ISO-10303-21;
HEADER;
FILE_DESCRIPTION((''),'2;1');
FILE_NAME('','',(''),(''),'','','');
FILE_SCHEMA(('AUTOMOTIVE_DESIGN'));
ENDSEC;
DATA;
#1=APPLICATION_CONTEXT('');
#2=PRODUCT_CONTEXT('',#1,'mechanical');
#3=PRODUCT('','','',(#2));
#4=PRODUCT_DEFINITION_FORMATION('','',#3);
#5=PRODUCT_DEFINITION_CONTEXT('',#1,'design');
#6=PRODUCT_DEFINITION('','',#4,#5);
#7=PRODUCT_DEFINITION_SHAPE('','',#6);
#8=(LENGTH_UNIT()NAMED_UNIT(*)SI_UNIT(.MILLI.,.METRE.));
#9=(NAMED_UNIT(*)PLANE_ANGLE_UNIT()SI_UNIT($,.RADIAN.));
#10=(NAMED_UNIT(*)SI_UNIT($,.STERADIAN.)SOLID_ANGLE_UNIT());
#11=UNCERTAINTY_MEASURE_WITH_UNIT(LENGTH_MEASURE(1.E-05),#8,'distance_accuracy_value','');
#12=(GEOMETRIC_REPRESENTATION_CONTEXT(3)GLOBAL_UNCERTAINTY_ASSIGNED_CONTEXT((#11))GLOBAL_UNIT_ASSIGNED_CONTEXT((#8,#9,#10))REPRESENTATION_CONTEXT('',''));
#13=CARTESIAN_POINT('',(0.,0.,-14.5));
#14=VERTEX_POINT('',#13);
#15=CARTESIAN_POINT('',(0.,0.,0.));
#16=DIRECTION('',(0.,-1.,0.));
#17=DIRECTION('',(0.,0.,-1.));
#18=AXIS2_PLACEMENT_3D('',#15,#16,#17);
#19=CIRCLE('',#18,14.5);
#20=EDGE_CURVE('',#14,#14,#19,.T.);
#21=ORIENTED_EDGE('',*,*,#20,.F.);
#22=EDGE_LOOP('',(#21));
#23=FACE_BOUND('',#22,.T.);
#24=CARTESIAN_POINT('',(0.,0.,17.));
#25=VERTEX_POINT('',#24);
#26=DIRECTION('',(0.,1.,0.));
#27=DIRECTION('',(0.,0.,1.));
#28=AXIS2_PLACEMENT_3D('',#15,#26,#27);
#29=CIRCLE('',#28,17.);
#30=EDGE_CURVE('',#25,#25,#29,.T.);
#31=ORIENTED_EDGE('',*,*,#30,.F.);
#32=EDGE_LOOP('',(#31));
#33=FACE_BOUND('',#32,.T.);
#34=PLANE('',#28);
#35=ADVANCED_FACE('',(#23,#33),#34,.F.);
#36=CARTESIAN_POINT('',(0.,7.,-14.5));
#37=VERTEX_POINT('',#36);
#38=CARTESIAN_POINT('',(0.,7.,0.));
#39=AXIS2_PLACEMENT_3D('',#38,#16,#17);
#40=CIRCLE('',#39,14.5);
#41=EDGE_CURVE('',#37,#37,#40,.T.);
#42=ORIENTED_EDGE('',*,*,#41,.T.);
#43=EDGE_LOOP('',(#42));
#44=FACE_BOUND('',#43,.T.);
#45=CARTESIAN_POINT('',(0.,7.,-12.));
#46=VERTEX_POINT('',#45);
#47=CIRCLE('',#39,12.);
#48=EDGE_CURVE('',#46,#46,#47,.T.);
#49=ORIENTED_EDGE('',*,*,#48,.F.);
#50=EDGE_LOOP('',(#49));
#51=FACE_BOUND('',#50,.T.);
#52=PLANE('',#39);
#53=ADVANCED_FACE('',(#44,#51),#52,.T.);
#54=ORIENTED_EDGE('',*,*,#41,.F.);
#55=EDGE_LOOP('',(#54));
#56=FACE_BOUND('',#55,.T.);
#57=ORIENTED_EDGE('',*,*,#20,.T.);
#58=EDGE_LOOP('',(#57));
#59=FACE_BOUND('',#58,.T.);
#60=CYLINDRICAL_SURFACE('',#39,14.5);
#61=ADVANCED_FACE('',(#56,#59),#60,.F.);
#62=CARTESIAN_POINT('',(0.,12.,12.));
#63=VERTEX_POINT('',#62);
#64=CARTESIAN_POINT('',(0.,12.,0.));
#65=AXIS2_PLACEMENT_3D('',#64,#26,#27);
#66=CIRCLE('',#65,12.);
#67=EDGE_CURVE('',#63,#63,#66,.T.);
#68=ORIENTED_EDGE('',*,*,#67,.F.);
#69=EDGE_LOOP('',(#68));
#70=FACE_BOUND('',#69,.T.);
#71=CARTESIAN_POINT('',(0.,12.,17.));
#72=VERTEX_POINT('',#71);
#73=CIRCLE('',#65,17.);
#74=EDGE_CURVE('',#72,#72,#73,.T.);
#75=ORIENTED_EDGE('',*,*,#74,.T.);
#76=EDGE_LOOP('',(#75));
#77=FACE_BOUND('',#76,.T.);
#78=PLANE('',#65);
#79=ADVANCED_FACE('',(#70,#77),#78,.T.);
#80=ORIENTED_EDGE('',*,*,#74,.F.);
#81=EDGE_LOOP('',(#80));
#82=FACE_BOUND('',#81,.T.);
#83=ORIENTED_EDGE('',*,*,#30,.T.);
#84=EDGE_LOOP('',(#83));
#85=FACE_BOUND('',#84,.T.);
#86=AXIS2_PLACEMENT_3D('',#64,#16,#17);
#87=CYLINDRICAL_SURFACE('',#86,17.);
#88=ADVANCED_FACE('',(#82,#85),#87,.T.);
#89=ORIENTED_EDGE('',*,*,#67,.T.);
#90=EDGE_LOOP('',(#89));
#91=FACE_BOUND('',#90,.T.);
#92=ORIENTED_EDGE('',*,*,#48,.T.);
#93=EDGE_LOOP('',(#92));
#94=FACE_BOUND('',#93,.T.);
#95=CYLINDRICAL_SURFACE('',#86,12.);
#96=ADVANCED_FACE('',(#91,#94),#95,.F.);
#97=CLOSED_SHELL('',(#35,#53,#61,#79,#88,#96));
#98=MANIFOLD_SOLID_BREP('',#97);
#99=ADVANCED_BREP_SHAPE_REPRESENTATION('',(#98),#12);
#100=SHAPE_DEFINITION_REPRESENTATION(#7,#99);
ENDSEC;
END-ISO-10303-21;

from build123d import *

# Parameters (mm, degrees)
ESQUISSE1_R             = 17
ESQUISSE1_R_2           = 12
BOSS_EXTRU_1_DEPTH      = 12
ESQUISSE2_R             = 14.5
ENL_V_MAT_EXTRU_1_DEPTH = 7


with BuildPart() as part:
    # Esquisse1 → Boss.-Extru.1 (new body)
    with BuildSketch(Plane(origin=(0, 0, 0), x_dir=(1, 0, 0), z_dir=(0, 1, 0))):
        with Locations(Location((0, 0, 0), (0, 0, 270))):  # turned: the seam where the file's is
            Circle(ESQUISSE1_R)
        with Locations(Location((0, 0, 0), (0, 0, 270))):  # turned: the seam where the file's is
            Circle(ESQUISSE1_R_2, mode=Mode.SUBTRACT)
    extrude(amount=BOSS_EXTRU_1_DEPTH)

    # Esquisse2 → Enlèv. mat.-Extru.1 (cut)
    with BuildSketch(Plane.XZ):
        with Locations(Location((0, 0, 0), (0, 0, 270))):  # turned: the seam where the file's is
            Circle(ESQUISSE2_R)
    extrude(amount=-ENL_V_MAT_EXTRU_1_DEPTH, mode=Mode.SUBTRACT)


solid = part.part
